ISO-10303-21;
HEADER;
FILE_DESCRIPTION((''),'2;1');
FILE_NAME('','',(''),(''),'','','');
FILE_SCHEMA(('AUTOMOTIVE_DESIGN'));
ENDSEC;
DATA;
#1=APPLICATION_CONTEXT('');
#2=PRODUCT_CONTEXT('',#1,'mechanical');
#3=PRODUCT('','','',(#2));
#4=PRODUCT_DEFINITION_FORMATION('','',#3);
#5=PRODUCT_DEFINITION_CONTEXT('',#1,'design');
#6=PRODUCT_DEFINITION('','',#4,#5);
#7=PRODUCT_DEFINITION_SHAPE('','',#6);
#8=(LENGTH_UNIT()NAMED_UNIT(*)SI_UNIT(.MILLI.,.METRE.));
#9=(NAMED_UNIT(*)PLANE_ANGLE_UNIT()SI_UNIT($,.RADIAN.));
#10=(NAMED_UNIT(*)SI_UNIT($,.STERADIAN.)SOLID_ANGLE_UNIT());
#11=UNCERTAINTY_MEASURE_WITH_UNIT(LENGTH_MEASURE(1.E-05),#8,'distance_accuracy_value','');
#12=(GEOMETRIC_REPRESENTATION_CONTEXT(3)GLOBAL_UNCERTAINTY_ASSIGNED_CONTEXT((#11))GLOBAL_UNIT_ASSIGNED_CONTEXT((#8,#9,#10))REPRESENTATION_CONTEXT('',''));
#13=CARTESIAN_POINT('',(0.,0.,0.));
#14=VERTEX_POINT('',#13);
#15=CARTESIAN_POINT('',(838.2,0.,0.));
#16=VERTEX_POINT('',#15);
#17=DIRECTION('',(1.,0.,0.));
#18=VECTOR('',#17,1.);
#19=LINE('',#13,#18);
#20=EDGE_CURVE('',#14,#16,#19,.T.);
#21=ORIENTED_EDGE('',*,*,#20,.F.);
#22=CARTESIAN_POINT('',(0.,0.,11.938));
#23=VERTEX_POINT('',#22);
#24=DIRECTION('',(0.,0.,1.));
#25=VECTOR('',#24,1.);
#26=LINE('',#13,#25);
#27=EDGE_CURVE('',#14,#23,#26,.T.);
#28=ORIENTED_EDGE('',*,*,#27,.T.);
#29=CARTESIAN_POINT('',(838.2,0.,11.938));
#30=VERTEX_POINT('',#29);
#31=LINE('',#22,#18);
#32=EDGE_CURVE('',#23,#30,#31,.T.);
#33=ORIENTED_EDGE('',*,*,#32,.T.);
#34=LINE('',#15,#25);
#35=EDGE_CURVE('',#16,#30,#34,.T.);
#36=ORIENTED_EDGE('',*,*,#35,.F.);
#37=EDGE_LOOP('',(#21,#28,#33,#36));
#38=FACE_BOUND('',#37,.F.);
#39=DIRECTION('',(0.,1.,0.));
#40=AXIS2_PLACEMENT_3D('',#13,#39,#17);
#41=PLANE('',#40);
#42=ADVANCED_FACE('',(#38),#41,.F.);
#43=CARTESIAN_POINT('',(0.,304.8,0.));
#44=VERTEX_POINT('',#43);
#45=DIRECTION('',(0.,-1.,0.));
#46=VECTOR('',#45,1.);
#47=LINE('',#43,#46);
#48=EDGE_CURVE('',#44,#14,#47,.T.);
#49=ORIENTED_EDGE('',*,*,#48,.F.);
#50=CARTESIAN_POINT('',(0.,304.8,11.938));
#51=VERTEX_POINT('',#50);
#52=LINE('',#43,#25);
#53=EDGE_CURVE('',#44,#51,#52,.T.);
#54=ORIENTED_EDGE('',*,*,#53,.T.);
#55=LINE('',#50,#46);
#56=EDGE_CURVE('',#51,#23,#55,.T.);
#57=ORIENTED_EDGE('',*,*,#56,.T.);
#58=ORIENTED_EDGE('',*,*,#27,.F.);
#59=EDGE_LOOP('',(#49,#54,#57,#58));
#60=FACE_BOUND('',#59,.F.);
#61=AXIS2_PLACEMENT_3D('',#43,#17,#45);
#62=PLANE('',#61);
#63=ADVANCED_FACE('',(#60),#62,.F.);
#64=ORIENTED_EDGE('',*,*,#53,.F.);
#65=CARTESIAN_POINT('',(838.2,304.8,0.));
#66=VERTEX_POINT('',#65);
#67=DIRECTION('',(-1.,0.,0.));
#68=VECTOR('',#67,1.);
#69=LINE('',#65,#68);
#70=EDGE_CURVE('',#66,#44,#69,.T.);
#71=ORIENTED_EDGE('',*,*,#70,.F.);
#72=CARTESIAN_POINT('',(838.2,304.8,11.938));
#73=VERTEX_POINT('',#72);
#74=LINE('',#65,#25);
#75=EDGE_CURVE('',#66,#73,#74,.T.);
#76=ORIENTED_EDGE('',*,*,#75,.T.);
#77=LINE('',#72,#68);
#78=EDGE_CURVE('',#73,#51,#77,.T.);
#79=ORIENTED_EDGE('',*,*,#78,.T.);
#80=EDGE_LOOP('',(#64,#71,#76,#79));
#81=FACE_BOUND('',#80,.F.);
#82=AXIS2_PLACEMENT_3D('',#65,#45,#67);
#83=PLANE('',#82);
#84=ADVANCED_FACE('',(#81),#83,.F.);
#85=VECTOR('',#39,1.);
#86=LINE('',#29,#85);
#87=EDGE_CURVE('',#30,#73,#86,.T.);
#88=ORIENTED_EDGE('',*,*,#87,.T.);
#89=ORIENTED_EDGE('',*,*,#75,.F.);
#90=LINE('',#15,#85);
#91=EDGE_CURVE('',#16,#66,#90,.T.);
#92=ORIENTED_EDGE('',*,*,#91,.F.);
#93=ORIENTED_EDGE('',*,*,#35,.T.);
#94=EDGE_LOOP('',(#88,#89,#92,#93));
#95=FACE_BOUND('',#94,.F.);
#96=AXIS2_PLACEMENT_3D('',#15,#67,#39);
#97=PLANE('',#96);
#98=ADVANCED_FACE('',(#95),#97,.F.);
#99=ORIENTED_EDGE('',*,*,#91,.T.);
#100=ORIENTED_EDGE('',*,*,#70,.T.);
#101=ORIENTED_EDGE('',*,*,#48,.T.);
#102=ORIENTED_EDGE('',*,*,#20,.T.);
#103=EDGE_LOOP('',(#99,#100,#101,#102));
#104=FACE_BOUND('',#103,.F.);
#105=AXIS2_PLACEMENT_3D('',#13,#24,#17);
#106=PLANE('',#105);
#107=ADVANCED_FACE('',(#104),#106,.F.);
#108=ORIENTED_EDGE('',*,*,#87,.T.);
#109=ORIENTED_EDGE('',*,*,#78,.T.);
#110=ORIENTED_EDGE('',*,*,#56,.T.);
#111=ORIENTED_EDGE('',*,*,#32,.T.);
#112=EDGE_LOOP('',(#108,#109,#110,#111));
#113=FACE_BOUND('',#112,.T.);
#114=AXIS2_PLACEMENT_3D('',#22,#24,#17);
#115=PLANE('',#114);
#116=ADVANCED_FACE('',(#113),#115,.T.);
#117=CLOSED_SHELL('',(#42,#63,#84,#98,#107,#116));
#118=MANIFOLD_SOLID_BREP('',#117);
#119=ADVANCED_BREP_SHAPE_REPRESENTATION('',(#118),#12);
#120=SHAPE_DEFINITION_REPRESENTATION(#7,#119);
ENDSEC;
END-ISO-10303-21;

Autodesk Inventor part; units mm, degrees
ref_plane "YZ Plane" through (0, 0, 0) normal (1, 0, 0) x (0, 1, 0)
ref_plane "XZ Plane" through (0, 0, 0) normal (0, 1, 0) x (-1, 0, 0)
ref_plane "XY Plane" through (0, 0, 0) normal (0, 0, 1) x (1, 0, 0)
sketch "Sketch1" plane through (0, 0, 0) normal (0, 0, 1) x (1, 0, 0)
  line L0 (0, 0) -> (838.2, 0)
  line L1 (838.2, 0) -> (838.2, 304.8)
  line L2 (838.2, 304.8) -> (0, 304.8)
  line L3 (0, 304.8) -> (0, 0)
  dimension "d0" = 304.8
  dimension "d1" = 838.2
extrude "Extrusion1" add sketch "Sketch1" along normal blind 11.938
properties part number "Wind Tunnel Settling Chamber Side As-Built" material "Wood (Oak)"
